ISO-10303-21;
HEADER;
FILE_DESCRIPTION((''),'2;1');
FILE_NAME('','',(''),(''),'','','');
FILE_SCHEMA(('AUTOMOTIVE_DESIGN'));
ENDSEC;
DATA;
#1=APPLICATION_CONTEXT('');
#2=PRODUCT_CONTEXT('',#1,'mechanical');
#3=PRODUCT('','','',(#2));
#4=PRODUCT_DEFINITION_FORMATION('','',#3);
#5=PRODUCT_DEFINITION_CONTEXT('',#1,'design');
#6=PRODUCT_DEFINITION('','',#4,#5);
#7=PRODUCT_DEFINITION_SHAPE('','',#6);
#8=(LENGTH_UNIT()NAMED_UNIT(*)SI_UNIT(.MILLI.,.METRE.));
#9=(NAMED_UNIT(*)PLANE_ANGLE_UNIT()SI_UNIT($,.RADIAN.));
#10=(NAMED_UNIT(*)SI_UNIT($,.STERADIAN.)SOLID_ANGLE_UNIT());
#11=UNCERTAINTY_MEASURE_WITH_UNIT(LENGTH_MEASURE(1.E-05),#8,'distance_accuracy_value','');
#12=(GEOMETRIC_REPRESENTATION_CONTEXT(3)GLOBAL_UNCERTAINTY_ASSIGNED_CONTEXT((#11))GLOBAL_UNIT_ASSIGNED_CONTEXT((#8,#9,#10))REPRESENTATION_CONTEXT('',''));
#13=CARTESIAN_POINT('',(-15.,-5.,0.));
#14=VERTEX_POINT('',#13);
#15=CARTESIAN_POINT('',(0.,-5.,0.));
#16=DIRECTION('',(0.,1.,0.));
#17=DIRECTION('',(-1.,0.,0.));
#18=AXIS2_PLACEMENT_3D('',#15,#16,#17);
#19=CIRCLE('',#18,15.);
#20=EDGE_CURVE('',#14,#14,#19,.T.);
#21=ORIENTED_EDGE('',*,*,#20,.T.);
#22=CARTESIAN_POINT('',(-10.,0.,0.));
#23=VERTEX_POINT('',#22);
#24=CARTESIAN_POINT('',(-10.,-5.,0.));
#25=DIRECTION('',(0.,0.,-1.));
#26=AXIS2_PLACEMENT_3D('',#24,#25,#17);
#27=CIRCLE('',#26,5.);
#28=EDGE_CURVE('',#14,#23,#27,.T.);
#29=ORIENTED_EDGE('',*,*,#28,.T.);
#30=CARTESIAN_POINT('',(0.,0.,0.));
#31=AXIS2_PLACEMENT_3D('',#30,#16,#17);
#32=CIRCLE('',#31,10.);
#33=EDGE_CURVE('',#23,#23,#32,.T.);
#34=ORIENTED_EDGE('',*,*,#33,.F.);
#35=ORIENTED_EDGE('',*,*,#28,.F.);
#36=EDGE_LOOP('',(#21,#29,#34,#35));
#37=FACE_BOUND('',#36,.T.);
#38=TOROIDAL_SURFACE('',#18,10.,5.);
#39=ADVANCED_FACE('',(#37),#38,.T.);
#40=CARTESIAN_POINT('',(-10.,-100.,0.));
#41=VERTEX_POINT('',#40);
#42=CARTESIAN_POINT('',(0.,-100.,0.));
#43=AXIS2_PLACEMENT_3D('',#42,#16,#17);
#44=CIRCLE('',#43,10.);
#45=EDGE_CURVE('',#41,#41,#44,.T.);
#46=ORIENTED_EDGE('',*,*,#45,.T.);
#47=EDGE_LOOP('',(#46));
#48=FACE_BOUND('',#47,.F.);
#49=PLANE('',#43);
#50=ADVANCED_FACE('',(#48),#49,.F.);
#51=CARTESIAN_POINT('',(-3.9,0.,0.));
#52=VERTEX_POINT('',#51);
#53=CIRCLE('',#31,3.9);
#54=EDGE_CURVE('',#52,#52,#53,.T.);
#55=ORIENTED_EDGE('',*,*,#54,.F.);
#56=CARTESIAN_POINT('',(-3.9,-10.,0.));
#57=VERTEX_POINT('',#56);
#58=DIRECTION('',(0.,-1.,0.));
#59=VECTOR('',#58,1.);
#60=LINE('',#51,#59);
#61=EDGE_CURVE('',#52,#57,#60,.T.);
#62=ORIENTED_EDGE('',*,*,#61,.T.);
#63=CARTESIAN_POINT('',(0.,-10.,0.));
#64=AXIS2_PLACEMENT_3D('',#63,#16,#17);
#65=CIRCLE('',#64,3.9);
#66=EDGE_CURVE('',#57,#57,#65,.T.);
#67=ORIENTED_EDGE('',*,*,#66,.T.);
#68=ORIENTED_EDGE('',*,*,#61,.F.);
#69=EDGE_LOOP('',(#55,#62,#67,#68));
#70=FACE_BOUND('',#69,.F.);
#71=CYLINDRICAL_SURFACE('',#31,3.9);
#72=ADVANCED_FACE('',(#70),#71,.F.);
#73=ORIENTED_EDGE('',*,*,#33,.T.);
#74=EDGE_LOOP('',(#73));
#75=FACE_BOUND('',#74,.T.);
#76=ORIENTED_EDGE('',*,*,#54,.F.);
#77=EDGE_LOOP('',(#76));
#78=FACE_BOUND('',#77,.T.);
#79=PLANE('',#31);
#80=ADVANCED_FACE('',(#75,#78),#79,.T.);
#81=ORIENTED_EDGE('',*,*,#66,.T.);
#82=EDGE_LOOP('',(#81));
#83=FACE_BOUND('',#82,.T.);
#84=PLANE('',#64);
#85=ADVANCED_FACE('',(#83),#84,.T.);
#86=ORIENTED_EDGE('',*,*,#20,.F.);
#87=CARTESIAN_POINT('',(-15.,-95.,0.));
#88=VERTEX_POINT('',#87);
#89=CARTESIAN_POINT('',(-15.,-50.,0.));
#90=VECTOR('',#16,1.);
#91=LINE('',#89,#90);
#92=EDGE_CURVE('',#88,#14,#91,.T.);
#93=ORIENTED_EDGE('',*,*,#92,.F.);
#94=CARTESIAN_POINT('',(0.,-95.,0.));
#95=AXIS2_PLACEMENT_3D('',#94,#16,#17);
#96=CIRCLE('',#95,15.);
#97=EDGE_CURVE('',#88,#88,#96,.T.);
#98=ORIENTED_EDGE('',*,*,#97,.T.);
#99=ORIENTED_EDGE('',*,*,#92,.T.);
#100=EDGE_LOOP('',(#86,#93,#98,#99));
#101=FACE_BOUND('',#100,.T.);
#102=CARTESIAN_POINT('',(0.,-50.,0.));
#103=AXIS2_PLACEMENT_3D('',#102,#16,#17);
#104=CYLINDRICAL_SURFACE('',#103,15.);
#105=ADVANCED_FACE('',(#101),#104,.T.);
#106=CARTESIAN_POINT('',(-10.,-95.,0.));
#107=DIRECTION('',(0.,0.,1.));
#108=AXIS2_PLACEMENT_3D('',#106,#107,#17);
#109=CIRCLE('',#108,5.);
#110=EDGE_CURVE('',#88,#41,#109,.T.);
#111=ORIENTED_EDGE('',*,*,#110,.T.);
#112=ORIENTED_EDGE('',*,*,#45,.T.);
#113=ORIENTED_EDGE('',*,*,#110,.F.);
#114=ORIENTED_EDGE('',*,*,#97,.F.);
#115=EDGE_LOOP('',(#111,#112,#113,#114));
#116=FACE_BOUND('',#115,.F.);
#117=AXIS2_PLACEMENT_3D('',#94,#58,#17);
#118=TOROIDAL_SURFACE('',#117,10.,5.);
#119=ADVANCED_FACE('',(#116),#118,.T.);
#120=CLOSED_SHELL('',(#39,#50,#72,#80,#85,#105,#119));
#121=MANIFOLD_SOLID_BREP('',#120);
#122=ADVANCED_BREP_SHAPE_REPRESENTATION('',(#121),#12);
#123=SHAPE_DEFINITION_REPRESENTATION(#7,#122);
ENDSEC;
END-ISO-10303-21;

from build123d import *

# Parameters (mm, degrees)
F0_W     = 15
F0_H     = 100
F2_R     = 3.9
F3_DEPTH = 10
F4_R     = 5


with BuildPart() as f1:
    # F0 (on Top) → F1 (revolve)
    with BuildSketch(Plane.XY):
        with Locations((-7.5, -50)):
            Rectangle(F0_W, F0_H)
    revolve(axis=Axis((0, -50, 0), (0, 1, 0)))

    # F2 (on face) → F3 (cut)
    with BuildSketch(Plane(origin=(0, 0, 0), x_dir=(-1, 0, 0), z_dir=(0, 1, 0))):
        Circle(F2_R)
    extrude(amount=-F3_DEPTH, mode=Mode.SUBTRACT)

    # F4
    f4_edges = [f1.edges().sort_by_distance(p)[0] for p in [
        (15, 0, 0),
        (15, -100, 0),
    ]]
    fillet(f4_edges, radius=F4_R)


solid = f1.part
